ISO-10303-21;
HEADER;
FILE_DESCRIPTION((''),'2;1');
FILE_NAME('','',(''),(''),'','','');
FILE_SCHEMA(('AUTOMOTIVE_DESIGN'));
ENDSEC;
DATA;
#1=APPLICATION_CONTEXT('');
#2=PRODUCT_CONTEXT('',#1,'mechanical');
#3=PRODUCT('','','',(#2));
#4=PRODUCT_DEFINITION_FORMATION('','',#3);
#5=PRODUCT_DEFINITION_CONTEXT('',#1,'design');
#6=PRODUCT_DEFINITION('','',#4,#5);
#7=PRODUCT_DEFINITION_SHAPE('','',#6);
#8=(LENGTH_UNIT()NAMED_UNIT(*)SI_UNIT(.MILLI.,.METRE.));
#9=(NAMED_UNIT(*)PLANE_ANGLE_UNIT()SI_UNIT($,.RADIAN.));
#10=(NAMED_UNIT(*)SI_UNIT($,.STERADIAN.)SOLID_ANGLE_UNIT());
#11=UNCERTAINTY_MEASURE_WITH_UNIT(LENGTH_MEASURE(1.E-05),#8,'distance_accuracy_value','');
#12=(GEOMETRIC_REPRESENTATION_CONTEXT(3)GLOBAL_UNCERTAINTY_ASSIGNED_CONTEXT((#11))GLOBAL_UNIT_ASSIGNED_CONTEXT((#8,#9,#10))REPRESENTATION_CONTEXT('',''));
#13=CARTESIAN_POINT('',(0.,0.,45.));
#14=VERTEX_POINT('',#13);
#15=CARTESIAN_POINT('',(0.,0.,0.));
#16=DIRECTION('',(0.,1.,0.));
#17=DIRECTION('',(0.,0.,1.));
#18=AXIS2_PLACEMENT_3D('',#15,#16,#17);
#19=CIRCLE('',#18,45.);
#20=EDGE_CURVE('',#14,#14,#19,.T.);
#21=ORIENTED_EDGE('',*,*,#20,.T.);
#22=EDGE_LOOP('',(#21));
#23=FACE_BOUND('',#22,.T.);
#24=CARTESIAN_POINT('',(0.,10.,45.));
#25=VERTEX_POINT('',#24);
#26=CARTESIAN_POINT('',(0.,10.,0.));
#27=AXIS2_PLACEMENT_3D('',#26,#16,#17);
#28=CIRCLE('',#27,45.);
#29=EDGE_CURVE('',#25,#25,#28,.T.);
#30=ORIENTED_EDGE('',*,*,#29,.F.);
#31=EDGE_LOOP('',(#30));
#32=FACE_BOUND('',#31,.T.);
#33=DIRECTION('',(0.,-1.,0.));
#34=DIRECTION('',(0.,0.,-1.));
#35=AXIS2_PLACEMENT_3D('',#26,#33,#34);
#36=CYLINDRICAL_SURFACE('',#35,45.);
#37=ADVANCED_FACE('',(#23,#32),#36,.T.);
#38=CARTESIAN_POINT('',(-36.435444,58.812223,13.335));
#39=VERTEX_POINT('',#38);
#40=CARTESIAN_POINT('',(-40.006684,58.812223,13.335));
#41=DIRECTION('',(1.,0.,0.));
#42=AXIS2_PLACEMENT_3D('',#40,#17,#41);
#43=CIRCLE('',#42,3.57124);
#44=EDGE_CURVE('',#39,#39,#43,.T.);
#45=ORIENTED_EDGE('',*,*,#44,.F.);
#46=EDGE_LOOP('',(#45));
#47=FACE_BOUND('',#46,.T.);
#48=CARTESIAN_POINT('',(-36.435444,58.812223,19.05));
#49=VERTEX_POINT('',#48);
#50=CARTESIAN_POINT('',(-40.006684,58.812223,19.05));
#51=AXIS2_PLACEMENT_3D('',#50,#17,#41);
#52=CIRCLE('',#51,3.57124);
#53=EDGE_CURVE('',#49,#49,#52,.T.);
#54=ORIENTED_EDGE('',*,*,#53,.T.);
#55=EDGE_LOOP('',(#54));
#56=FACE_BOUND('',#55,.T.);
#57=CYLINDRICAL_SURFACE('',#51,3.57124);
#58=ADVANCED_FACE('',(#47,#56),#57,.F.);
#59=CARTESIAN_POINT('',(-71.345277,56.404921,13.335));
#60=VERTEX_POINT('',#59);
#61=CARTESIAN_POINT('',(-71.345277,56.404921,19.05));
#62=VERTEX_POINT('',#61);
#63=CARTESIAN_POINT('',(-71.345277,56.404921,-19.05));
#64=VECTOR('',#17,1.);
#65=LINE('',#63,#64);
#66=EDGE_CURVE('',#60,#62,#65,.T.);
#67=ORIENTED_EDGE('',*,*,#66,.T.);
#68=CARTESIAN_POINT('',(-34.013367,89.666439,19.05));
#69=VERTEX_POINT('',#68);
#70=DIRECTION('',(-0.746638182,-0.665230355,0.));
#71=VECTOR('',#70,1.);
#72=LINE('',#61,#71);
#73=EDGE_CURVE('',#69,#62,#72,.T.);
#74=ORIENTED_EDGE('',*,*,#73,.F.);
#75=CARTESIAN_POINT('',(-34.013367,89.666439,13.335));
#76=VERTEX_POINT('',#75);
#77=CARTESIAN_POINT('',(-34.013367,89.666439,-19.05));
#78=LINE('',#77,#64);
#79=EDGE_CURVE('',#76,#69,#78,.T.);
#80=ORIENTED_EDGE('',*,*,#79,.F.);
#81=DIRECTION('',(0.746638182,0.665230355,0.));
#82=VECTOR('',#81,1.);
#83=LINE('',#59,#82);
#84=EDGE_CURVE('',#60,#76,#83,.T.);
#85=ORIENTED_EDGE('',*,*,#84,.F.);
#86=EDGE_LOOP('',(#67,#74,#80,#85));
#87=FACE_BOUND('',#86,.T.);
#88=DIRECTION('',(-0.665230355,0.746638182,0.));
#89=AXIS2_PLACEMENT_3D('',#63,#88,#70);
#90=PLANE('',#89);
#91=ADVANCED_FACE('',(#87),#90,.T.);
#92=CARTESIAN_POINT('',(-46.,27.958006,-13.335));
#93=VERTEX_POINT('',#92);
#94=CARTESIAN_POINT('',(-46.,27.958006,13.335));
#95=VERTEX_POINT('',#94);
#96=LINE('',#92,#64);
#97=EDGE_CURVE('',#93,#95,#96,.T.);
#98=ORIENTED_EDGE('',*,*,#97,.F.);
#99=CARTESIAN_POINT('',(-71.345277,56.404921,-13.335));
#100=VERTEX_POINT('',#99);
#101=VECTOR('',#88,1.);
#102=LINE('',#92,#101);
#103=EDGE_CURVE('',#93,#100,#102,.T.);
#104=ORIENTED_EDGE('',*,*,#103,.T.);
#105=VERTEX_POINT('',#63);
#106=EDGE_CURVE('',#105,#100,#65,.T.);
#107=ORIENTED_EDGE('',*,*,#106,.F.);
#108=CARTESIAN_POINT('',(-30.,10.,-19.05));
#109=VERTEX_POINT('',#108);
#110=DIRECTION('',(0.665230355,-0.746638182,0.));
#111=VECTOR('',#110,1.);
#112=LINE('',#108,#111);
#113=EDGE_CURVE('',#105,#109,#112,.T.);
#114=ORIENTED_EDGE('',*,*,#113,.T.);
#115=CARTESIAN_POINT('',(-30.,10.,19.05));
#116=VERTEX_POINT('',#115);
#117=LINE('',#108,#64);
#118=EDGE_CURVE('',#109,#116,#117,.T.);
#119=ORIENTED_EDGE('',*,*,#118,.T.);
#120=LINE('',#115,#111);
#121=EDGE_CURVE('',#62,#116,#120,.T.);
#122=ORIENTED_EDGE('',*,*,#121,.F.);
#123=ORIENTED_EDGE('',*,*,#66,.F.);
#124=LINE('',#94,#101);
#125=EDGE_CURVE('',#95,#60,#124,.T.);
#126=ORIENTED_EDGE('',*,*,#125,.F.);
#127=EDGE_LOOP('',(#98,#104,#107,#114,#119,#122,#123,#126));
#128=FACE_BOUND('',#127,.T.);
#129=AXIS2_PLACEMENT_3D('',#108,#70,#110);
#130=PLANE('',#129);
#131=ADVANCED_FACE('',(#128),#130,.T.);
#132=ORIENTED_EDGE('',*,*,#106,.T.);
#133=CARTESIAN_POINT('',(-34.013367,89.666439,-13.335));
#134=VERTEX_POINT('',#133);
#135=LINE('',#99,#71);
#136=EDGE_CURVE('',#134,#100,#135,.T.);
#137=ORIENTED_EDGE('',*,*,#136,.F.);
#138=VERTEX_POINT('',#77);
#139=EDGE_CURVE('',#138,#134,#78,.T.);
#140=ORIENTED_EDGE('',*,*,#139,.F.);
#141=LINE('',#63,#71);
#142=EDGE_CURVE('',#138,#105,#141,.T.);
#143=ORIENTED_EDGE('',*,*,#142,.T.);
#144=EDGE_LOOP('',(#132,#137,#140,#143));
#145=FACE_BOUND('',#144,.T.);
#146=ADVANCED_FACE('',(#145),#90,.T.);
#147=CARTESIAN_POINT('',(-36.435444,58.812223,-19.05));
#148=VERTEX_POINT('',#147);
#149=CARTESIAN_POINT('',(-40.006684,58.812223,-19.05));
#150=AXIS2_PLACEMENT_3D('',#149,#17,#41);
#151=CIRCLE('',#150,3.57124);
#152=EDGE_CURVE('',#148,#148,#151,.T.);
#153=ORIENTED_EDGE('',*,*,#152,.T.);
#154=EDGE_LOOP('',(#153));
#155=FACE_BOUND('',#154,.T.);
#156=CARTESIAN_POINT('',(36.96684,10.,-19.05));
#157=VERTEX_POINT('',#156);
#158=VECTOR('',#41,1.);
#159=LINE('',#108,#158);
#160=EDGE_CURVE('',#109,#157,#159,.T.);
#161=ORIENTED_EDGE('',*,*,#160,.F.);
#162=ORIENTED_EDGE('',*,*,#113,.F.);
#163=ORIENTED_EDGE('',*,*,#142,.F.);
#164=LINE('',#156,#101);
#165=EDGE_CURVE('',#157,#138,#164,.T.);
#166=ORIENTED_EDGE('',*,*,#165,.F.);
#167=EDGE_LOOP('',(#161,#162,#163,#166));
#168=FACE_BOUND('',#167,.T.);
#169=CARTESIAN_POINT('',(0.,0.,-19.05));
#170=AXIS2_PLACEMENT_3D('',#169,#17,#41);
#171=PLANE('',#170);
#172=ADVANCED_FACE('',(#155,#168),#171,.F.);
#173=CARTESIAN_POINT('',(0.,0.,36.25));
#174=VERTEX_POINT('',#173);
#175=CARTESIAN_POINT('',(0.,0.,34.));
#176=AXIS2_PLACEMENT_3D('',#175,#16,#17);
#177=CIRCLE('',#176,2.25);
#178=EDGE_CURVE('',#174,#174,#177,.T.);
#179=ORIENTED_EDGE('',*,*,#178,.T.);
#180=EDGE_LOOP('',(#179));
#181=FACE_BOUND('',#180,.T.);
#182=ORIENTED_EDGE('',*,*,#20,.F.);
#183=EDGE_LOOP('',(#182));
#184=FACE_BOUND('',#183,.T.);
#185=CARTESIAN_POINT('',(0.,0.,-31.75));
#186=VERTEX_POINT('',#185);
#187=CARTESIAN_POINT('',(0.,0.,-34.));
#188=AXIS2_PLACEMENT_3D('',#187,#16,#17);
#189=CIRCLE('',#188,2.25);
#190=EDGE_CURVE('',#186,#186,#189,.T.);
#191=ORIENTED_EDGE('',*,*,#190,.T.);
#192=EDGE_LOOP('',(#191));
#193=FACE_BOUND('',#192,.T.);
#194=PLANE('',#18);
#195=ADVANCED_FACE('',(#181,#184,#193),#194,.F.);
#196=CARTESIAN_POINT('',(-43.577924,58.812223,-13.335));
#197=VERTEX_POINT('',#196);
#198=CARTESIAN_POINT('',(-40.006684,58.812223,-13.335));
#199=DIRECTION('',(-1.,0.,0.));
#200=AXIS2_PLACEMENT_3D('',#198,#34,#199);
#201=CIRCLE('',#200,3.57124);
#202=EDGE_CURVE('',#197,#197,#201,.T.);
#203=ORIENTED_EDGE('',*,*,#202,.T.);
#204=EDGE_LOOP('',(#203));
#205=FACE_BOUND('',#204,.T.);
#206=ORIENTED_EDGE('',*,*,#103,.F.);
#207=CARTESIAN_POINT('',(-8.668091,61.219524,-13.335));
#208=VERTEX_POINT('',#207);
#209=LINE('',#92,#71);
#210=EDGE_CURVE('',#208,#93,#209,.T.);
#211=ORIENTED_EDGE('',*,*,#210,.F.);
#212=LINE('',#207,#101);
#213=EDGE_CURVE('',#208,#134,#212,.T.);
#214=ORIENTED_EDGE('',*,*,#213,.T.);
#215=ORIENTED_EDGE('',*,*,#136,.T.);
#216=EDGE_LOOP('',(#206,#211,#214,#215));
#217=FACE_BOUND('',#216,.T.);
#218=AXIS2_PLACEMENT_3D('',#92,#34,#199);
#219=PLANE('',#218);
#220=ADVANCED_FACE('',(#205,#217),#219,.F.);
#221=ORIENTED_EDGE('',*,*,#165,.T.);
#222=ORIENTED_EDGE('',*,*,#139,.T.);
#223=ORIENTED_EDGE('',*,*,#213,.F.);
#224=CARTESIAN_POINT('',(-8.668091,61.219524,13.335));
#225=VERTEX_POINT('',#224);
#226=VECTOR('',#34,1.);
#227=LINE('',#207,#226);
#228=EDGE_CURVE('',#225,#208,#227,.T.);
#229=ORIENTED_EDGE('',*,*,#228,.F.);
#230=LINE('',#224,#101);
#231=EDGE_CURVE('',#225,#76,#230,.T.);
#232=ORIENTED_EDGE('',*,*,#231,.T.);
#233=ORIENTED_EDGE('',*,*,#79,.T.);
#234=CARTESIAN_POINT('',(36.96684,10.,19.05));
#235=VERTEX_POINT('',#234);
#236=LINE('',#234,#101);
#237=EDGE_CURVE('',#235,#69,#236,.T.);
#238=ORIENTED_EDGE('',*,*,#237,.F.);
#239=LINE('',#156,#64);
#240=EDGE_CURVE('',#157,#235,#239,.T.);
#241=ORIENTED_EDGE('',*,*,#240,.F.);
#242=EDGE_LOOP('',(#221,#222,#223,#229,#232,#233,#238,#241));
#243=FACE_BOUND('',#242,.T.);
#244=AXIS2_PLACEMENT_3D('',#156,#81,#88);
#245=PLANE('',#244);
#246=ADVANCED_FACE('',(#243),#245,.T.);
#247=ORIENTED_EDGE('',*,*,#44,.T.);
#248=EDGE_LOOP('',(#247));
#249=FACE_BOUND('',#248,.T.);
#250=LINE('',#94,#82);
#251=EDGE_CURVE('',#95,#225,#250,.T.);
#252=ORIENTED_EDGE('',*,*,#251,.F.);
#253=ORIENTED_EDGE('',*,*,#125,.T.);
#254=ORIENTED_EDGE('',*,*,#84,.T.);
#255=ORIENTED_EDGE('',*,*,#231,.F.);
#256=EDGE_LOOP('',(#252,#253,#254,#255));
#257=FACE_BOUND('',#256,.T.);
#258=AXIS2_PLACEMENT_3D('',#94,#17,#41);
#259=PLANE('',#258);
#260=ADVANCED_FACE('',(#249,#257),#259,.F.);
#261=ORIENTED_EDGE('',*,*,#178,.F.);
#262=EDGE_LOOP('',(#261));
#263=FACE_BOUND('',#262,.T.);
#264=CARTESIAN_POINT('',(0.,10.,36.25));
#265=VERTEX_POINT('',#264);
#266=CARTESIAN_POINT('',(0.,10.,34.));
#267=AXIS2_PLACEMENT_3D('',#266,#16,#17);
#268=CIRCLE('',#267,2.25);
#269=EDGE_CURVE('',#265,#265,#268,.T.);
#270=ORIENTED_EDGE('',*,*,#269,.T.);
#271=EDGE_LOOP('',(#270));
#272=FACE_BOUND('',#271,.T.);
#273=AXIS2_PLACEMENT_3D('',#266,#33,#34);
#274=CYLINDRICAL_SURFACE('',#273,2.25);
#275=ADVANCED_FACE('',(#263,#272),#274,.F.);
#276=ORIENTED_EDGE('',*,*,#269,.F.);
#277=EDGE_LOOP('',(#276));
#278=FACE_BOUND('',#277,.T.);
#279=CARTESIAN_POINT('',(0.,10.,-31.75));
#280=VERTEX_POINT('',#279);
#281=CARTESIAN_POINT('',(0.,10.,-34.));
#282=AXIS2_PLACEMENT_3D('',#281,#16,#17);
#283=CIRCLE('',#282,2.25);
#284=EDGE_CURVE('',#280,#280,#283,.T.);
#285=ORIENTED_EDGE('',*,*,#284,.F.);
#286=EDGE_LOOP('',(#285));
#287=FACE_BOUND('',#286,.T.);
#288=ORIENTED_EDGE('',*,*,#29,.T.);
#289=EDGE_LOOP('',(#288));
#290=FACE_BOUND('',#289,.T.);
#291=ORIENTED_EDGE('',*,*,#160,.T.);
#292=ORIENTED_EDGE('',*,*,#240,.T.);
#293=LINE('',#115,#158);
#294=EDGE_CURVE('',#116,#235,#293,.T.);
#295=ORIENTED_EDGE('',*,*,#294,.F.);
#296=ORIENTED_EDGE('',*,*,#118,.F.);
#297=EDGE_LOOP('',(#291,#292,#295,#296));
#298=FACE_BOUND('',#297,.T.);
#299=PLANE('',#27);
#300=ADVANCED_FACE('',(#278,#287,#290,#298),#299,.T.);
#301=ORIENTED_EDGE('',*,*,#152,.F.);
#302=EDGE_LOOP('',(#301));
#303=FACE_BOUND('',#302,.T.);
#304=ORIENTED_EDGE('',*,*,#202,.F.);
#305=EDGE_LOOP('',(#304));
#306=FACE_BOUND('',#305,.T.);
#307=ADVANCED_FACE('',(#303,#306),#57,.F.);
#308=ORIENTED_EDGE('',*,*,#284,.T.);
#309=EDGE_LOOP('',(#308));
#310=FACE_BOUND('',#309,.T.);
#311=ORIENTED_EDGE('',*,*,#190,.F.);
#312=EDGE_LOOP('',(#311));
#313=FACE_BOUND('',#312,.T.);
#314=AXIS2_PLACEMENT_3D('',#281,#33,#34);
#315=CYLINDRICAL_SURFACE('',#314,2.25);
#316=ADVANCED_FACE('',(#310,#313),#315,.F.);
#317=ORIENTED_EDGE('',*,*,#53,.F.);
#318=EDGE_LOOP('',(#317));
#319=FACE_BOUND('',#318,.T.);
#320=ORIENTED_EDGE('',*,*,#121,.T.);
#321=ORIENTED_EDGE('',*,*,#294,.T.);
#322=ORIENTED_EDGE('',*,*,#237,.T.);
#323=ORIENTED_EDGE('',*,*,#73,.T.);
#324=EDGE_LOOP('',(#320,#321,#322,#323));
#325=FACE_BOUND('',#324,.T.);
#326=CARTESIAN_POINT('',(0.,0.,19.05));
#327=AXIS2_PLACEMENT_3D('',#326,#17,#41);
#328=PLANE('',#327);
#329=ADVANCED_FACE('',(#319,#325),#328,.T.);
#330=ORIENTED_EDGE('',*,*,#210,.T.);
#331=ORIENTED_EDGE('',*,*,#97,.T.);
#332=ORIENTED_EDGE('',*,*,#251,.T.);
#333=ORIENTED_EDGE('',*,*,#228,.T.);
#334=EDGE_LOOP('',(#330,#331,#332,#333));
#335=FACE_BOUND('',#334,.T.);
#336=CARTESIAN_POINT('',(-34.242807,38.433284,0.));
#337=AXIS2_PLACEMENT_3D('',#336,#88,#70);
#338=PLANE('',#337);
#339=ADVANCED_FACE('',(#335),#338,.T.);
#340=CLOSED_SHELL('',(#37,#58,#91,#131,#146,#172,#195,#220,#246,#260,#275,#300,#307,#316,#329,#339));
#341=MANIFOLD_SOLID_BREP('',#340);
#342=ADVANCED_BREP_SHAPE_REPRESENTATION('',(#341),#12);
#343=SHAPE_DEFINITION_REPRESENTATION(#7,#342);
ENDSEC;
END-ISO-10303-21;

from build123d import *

# Parameters (mm, degrees)
SKETCH1_R                = 45
SKETCH1_R_2              = 2.25
BOSS_EXTRUDE1_DEPTH      = 10
BOSS_EXTRUDE2_DEPTH      = 19.05
BOSS_EXTRUDE2_DEPTH_BACK = 19.05
SKETCH3_W                = 50
SKETCH3_H                = 26.67
CUT_EXTRUDE1_DEPTH       = 38.1
F_1_4_CLEARANCE_HOLE1_D  = 7.14248


with BuildPart() as part:
    # Sketch1 → Boss-Extrude1 (new body)
    with BuildSketch(Plane(origin=(0, 0, 0), x_dir=(1, 0, 0), z_dir=(0, 1, 0))):
        Circle(SKETCH1_R)
        with Locations((0, 34)):
            Circle(SKETCH1_R_2, mode=Mode.SUBTRACT)
        with Locations((0, -34)):
            Circle(SKETCH1_R_2, mode=Mode.SUBTRACT)
    extrude(amount=BOSS_EXTRUDE1_DEPTH)

    # Sketch2 → Boss-Extrude2 (add, two sides: drawn at the far end of the back side and taken through both)
    with BuildSketch(Plane.XY.offset(-BOSS_EXTRUDE2_DEPTH_BACK)):
        Polygon((36.966840414, 10), (-34.013367398, 89.666438803), (-71.345276512, 56.40492107), (-30, 10), align=None)
    extrude(amount=BOSS_EXTRUDE2_DEPTH + BOSS_EXTRUDE2_DEPTH_BACK)

    # Sketch3 → Cut-Extrude1 (cut)
    with BuildSketch(Plane(origin=(-59.588083083, 66.880198307, 0), x_dir=(0.7466381822853925, 0.6652303546543595, 0), z_dir=(-0.6652303546543595, 0.7466381822853925, 0))):
        with Locations((9.253158078, 0)):
            Rectangle(SKETCH3_W, SKETCH3_H)
    extrude(amount=-CUT_EXTRUDE1_DEPTH, mode=Mode.SUBTRACT)

    # 1/4 Clearance Hole1 (through all)
    with Locations(Plane.XY.offset(19.05)):
        with Locations((-40.006683699, 58.812222564)):
            Hole(F_1_4_CLEARANCE_HOLE1_D / 2)


solid = part.part
